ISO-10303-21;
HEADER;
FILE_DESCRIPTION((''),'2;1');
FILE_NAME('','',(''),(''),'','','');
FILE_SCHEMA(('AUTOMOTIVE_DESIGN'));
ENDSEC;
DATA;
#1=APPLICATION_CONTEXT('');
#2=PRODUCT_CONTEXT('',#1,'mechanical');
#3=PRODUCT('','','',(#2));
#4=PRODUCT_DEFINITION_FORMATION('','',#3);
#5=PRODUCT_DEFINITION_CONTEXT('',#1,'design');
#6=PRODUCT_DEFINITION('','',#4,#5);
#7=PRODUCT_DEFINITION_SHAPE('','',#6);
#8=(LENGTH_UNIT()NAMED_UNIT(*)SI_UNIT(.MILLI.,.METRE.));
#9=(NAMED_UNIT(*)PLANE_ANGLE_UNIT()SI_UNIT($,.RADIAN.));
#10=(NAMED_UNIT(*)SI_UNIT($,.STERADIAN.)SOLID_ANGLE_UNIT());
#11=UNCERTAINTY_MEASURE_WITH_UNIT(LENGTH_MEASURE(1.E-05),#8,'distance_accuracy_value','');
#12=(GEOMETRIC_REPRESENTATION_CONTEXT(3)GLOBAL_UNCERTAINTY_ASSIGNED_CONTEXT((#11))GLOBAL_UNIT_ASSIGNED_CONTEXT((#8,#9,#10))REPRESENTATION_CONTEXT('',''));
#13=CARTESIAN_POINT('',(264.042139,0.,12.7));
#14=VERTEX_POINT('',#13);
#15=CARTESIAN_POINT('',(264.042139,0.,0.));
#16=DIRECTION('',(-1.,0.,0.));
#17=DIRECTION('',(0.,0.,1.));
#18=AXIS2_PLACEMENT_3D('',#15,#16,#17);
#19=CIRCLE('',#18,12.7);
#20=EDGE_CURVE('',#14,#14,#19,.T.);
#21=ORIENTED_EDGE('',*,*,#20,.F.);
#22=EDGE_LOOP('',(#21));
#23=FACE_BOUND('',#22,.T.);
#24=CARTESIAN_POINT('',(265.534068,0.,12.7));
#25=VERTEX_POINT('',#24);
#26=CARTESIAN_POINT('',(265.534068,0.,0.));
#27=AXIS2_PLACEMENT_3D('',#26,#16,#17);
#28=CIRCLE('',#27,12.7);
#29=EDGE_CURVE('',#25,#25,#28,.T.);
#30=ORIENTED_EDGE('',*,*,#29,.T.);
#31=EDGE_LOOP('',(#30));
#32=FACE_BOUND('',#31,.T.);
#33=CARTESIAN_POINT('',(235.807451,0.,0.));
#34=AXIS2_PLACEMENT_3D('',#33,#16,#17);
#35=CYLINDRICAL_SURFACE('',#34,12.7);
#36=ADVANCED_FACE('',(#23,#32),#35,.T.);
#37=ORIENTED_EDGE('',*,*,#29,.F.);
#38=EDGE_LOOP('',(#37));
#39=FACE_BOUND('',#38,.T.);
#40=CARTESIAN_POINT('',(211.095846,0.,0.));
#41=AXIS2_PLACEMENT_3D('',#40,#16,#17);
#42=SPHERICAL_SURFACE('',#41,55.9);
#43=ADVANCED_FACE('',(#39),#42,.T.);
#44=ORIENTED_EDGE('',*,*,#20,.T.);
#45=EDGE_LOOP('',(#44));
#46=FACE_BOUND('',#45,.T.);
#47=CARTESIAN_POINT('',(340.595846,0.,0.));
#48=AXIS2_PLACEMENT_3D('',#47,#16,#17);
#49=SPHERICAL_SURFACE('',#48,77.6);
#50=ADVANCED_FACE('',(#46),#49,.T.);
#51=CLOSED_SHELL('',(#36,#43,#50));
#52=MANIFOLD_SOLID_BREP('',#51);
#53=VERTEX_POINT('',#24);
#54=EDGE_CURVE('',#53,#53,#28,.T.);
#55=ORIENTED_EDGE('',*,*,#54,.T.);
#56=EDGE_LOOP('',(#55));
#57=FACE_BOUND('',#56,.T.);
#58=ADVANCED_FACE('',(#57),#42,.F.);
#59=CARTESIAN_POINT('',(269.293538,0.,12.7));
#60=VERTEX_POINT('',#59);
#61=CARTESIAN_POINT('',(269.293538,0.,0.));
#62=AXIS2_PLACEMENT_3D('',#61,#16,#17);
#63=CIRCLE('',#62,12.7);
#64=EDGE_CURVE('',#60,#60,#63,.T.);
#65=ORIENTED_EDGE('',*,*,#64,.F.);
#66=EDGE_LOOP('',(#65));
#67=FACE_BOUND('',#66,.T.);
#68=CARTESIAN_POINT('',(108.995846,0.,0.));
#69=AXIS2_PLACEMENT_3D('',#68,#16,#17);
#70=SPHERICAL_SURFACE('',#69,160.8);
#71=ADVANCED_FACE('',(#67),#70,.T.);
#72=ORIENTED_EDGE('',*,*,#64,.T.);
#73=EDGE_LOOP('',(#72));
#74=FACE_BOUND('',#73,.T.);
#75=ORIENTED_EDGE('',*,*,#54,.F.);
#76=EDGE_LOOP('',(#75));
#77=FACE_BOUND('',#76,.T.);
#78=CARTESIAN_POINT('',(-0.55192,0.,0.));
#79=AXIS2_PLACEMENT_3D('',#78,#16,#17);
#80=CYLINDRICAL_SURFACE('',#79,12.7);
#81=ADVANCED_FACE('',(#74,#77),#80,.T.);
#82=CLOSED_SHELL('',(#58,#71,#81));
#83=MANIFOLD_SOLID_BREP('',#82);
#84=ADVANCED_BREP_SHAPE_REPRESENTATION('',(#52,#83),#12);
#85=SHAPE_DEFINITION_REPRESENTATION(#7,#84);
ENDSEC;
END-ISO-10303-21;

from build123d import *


with BuildPart() as part:
    # 草图1 one side → 旋转1 (revolve)
    with BuildSketch(Plane(origin=(0, 0, 0), x_dir=(1, 0, 0), z_dir=(0, 1, 0)), mode=Mode.PRIVATE) as revolve_1_sk:
        with BuildLine():
            ThreePointArc((264.042139171, 12.7), (263.257861496, 6.371513356), (262.995845808, 0))
            Line((262.995845808, 0), (266.995845808, 0))
            ThreePointArc((266.995845808, 0), (266.62919886, 6.391924501), (265.534067675, 12.7))
            Line((265.534067675, 12.7), (264.042139171, 12.7))
        make_face()
    revolve(revolve_1_sk.sketch.rotate(Axis((235.807450691, 0, 0), (1, 0, 0)), 180), axis=Axis((235.807450691, 0, 0), (1, 0, 0)))  # turned: the seam where the file's is


with BuildPart() as body_2:
    # 草图2 one side → 旋转3 (revolve)
    with BuildSketch(Plane(origin=(0, 0, 0), x_dir=(1, 0, 0), z_dir=(0, 1, 0)), mode=Mode.PRIVATE) as revolve_3_sk:
        with BuildLine():
            Line((269.29353762, 12.7), (265.534067675, 12.7))
            ThreePointArc((265.534067675, 12.7), (266.62919886, 6.391924501), (266.995845808, 0))
            Line((266.995845808, 0), (269.795845808, 0))
            ThreePointArc((269.795845808, 0), (269.670219688, 6.354964861), (269.29353762, 12.7))
        make_face()
    revolve(revolve_3_sk.sketch.rotate(Axis((-0.551919993, 0, 0), (1, 0, 0)), 180), axis=Axis((-0.551919993, 0, 0), (1, 0, 0)))  # turned: the seam where the file's is


solid = Compound([part.part, body_2.part])
